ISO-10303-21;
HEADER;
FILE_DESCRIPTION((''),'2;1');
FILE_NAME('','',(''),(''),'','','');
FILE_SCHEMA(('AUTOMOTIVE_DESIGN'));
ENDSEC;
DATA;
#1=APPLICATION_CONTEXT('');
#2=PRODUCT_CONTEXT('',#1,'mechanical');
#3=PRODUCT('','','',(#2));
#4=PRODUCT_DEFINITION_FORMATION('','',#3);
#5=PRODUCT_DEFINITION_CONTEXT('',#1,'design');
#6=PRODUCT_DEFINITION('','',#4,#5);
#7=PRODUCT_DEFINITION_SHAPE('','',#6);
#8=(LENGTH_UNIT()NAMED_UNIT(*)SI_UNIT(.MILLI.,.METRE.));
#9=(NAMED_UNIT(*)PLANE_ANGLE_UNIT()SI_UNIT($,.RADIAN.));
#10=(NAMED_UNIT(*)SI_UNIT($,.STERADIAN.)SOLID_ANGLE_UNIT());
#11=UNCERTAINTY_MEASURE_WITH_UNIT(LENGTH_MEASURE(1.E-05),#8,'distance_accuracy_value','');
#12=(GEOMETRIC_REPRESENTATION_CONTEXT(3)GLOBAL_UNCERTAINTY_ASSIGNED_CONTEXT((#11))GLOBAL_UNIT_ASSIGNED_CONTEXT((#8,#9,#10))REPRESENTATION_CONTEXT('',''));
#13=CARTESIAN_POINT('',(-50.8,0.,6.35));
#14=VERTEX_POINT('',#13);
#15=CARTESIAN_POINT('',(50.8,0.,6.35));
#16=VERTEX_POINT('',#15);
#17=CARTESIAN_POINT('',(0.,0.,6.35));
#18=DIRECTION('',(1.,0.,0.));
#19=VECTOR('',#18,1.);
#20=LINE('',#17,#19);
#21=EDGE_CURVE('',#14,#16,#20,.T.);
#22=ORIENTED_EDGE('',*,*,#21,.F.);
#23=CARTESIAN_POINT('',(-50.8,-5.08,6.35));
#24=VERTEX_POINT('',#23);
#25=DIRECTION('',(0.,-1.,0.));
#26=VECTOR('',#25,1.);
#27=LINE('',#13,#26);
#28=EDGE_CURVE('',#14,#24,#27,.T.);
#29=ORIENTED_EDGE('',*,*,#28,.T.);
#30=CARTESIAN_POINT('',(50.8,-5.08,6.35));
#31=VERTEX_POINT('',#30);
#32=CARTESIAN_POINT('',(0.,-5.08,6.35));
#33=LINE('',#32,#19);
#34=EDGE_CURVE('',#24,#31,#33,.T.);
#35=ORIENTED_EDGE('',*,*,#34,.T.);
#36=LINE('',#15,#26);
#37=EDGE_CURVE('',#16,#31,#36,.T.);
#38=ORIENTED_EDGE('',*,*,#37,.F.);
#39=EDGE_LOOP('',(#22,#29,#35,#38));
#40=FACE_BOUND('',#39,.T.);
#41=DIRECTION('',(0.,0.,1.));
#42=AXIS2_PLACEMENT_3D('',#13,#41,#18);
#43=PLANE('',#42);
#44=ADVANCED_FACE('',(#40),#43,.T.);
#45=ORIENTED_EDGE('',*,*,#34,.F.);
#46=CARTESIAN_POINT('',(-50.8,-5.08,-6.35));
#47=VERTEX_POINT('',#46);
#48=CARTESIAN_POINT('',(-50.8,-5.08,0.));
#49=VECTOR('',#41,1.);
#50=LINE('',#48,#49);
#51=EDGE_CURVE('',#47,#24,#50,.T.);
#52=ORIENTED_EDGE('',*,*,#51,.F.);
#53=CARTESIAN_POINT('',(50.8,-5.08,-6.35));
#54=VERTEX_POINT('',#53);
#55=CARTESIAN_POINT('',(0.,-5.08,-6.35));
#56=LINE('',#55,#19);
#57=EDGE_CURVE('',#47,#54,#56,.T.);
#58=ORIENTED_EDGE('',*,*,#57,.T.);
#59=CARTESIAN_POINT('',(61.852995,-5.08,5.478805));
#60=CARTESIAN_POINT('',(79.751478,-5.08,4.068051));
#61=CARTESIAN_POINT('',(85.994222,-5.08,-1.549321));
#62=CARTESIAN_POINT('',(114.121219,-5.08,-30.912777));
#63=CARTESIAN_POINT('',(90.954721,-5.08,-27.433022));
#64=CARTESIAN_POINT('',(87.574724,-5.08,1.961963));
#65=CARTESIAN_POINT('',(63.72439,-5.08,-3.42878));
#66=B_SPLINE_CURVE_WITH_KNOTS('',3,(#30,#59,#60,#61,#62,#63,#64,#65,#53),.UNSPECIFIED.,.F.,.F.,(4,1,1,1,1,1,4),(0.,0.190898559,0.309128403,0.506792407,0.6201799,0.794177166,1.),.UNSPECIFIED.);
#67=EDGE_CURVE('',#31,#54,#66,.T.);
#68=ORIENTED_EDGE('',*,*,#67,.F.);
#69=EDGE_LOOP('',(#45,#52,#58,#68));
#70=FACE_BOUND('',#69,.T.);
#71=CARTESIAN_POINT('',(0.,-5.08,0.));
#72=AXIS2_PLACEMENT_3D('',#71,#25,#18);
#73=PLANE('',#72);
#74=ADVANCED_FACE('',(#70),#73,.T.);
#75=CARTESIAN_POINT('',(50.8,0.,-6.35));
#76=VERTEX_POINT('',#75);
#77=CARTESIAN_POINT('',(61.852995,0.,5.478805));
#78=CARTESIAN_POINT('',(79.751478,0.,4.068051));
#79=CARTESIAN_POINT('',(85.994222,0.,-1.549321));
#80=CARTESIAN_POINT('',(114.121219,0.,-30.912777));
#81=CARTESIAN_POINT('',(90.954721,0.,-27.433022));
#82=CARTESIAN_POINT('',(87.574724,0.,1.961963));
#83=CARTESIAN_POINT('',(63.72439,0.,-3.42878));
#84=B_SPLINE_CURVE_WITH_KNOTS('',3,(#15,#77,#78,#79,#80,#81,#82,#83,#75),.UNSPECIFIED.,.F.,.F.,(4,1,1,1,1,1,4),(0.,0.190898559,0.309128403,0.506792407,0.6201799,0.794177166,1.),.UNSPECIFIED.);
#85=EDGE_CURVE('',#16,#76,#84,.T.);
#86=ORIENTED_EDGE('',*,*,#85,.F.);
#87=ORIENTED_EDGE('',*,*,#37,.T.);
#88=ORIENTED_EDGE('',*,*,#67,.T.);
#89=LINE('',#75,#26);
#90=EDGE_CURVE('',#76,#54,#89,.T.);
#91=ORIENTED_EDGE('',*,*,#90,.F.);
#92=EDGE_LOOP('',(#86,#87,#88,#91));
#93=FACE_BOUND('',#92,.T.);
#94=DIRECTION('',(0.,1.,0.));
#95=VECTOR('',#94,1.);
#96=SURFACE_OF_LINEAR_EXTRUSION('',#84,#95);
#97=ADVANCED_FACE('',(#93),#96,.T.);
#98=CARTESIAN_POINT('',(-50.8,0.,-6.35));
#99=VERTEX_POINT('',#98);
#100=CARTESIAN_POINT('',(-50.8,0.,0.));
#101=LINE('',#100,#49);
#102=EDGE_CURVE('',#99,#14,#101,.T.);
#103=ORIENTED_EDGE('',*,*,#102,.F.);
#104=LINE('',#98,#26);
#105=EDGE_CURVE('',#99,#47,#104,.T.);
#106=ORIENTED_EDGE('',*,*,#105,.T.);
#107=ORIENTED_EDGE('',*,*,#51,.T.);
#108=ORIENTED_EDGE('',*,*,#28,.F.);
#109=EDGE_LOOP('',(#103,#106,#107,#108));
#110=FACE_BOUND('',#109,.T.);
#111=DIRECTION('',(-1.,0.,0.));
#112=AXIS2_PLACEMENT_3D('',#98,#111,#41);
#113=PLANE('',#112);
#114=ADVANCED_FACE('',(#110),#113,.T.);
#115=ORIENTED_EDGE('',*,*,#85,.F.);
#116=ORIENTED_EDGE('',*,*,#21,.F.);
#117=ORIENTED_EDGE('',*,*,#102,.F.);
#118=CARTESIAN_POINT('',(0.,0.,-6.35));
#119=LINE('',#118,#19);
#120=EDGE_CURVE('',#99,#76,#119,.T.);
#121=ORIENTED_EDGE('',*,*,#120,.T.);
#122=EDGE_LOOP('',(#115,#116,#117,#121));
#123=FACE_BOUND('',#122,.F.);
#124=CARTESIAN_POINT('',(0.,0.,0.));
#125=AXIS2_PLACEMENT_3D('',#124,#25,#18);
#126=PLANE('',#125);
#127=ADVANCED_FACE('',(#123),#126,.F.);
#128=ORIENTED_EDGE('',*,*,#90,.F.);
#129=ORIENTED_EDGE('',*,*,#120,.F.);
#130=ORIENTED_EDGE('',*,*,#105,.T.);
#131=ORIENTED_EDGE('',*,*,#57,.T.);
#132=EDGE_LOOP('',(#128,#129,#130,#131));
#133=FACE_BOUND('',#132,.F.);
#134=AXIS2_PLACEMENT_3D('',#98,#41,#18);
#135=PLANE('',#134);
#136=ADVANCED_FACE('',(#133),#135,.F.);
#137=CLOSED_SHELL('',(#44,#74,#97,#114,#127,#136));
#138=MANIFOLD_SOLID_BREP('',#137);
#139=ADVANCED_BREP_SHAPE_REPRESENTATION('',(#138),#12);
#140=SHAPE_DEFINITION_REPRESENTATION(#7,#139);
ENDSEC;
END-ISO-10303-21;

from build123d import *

# Parameters (mm, degrees)
F0_W     = 101.6
F0_H     = 12.7
F1_DEPTH = 5.08


with BuildPart() as f1:
    # F0 (on Front) → F1 (new body)
    with BuildSketch(Plane.XZ):
        Rectangle(F0_W, F0_H)
        with BuildLine():
            add(Edge.make_bspline(
                [(50.8, 6.35), (61.8529948747, 5.4788054211), (79.7514781213, 4.068050983), (85.9942221528, -1.5493212966), (114.1212185556, -30.9127767834), (90.9547209561, -27.4330215642), (87.5747242582, 1.9619629353), (63.7243904773, -3.4287801465), (50.8, -6.35)],
                knots=[0, 0, 0, 0, 0.1908985587, 0.3091284031, 0.5067924075, 0.6201799001, 0.7941771663, 1, 1, 1, 1], degree=3))
            Line((50.8, 6.35), (50.8, -6.35))
        make_face()
    extrude(amount=F1_DEPTH)


solid = f1.part
